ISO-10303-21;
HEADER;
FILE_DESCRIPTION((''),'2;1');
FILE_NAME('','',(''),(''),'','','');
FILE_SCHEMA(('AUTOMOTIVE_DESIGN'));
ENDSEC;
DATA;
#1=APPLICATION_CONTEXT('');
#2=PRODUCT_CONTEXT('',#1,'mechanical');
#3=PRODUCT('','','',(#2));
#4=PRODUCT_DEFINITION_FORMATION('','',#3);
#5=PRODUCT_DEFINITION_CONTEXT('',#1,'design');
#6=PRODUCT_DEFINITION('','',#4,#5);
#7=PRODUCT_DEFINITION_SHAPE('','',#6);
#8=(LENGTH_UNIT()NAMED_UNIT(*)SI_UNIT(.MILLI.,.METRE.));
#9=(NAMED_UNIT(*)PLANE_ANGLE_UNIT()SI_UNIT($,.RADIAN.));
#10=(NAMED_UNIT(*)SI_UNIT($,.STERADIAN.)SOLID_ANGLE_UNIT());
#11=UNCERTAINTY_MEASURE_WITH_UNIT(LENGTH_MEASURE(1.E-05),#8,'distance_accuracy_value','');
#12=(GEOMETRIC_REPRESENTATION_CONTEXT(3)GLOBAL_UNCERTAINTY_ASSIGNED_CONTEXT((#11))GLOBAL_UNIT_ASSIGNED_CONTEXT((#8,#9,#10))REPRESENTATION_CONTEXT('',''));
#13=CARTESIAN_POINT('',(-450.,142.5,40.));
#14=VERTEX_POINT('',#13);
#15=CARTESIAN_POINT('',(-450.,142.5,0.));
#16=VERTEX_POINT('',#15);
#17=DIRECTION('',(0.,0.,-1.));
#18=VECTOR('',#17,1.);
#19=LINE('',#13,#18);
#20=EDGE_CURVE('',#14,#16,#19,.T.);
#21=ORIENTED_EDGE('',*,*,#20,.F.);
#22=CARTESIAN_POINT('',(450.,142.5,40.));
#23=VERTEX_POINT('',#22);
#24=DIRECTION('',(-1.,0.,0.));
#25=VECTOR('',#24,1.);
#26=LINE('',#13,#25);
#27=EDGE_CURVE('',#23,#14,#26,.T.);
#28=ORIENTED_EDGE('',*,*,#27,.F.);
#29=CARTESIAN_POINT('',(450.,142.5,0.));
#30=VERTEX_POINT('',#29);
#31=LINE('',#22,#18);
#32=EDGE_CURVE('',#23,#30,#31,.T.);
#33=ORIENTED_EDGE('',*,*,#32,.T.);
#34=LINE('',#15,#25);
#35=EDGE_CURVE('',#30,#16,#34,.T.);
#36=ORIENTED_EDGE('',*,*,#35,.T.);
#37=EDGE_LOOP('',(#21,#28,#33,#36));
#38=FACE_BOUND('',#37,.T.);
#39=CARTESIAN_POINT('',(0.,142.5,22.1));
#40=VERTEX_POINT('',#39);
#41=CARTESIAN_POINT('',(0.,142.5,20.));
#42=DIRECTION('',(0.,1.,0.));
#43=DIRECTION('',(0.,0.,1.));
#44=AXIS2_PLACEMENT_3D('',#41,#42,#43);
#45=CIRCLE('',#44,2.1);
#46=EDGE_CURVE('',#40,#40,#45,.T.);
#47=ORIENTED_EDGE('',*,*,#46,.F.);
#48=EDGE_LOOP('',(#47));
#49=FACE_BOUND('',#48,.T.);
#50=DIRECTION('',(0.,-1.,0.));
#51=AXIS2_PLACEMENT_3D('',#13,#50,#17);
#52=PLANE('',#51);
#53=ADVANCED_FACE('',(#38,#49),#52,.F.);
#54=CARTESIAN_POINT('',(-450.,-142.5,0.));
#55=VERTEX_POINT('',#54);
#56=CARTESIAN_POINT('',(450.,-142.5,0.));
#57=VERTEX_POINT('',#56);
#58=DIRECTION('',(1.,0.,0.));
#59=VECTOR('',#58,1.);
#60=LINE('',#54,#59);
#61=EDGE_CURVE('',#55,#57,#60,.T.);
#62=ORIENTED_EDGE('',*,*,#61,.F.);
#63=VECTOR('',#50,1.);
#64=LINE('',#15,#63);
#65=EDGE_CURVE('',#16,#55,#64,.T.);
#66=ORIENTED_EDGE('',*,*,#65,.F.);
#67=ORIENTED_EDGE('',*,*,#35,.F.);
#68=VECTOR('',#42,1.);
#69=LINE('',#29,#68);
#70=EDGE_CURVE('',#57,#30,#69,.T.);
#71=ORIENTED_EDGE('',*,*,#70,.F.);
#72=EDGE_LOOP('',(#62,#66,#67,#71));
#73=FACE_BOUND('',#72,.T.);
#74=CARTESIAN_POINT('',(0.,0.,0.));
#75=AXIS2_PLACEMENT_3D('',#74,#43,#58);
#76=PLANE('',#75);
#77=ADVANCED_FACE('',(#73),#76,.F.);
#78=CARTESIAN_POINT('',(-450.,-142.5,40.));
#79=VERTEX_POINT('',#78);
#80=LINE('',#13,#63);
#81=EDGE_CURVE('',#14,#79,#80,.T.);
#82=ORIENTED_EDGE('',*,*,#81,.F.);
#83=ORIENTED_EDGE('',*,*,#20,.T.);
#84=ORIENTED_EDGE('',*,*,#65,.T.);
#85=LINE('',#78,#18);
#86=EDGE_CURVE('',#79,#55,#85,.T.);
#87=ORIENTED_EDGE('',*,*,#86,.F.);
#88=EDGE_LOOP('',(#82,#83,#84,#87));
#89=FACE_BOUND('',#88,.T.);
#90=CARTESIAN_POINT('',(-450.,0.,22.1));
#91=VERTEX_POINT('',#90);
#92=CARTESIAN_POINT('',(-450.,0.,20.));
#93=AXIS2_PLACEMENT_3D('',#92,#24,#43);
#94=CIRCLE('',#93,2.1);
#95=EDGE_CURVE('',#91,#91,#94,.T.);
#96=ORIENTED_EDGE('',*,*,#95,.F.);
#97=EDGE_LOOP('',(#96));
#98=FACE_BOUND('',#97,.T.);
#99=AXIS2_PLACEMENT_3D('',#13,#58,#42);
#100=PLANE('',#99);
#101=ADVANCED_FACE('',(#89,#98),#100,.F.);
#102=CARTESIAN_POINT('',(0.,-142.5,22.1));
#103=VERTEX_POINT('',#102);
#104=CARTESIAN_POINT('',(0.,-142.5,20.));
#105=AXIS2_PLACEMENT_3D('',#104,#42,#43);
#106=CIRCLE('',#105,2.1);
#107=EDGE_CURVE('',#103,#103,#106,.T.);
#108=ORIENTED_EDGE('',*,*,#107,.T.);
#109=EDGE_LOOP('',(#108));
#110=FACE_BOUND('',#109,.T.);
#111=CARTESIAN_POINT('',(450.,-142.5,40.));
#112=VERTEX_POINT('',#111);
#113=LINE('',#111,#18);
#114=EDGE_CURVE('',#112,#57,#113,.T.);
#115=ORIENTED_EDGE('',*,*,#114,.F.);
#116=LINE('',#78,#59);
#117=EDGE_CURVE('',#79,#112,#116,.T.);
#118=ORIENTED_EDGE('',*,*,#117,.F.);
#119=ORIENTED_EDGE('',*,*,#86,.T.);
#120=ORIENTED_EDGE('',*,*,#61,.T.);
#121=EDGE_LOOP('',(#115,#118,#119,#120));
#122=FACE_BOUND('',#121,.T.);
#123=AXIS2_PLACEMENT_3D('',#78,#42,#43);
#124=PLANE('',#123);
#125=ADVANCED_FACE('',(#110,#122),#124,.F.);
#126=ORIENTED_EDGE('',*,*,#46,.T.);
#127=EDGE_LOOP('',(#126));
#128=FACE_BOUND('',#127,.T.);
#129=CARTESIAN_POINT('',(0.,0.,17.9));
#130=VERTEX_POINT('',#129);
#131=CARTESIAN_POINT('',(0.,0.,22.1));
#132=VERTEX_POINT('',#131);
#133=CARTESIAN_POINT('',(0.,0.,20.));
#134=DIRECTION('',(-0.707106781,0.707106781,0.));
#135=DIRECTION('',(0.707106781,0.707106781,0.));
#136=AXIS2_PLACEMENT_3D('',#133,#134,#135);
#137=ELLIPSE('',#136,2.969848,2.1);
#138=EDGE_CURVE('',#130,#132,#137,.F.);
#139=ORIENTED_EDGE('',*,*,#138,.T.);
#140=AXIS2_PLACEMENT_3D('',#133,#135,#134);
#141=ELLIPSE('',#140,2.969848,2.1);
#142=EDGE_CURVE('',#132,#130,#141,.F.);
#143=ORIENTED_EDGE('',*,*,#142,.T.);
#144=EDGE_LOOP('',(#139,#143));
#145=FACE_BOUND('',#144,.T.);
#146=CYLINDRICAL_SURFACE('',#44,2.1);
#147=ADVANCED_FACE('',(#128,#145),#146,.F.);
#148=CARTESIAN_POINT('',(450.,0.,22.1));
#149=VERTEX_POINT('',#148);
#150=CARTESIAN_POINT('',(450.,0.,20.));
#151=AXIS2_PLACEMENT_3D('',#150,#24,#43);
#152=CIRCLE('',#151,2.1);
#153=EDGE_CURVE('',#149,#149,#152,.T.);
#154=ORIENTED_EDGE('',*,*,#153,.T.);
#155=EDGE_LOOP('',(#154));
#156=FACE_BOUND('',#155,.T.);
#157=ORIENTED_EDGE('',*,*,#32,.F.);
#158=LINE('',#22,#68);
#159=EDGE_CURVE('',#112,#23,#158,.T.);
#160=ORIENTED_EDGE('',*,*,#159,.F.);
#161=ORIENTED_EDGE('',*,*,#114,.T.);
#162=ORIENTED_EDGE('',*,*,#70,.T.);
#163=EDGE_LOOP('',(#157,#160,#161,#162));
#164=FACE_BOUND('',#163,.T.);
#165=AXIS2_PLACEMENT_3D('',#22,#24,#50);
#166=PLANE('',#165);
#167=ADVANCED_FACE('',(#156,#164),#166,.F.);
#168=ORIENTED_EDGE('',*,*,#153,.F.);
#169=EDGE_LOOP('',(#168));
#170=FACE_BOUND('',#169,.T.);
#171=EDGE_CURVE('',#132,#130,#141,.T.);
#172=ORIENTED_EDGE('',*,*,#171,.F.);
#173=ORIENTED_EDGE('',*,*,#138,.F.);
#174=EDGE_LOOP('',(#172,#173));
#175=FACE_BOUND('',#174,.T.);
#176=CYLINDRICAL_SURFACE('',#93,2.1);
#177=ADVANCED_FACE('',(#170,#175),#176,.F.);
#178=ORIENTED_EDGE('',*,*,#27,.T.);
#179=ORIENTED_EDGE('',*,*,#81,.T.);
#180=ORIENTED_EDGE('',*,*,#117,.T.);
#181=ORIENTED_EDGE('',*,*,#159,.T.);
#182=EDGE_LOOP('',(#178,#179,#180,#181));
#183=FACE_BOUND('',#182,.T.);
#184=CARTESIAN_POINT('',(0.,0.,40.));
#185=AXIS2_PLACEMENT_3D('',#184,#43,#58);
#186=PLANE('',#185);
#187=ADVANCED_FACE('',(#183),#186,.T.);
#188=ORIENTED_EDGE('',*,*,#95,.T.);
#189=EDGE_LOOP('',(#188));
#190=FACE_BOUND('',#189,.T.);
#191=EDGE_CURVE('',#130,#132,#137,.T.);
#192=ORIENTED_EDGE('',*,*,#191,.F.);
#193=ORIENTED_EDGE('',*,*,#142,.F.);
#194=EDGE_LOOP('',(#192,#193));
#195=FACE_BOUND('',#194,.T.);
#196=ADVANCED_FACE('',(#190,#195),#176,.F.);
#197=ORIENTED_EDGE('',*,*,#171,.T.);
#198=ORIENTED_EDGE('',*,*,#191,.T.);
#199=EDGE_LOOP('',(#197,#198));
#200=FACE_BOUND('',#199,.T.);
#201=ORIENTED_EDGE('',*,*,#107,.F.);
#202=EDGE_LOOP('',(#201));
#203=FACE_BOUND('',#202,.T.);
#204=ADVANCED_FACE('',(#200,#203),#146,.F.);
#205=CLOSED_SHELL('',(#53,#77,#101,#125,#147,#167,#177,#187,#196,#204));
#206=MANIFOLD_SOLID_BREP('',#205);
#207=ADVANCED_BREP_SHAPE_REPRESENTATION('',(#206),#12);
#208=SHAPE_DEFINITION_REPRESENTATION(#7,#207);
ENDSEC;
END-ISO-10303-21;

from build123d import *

# Parameters (mm, degrees)
SKETCH_1_W         = 900
SKETCH_1_H         = 285
EXTRUDE_1_DEPTH    = 40
HOLE_WIZARD_M5_1_D = 4.2
HOLE_WIZARD_M5_2_D = 4.2


with BuildPart() as part:
    # 草图1 → 凸台-拉伸1 (new body)
    with BuildSketch(Plane.XY):
        Rectangle(SKETCH_1_W, SKETCH_1_H)
    extrude(amount=EXTRUDE_1_DEPTH)

    # M5 螺纹孔1 (through all)
    with Locations(Plane(origin=(0, 142.5, 0), x_dir=(1, 0, 0), z_dir=(0, 1, 0))):
        with Locations((0, -20)):
            Hole(HOLE_WIZARD_M5_1_D / 2)

    # M5 螺纹孔2 (through all)
    with Locations(Plane.ZY.offset(450)):
        with Locations((20, 0)):
            Hole(HOLE_WIZARD_M5_2_D / 2)


solid = part.part
